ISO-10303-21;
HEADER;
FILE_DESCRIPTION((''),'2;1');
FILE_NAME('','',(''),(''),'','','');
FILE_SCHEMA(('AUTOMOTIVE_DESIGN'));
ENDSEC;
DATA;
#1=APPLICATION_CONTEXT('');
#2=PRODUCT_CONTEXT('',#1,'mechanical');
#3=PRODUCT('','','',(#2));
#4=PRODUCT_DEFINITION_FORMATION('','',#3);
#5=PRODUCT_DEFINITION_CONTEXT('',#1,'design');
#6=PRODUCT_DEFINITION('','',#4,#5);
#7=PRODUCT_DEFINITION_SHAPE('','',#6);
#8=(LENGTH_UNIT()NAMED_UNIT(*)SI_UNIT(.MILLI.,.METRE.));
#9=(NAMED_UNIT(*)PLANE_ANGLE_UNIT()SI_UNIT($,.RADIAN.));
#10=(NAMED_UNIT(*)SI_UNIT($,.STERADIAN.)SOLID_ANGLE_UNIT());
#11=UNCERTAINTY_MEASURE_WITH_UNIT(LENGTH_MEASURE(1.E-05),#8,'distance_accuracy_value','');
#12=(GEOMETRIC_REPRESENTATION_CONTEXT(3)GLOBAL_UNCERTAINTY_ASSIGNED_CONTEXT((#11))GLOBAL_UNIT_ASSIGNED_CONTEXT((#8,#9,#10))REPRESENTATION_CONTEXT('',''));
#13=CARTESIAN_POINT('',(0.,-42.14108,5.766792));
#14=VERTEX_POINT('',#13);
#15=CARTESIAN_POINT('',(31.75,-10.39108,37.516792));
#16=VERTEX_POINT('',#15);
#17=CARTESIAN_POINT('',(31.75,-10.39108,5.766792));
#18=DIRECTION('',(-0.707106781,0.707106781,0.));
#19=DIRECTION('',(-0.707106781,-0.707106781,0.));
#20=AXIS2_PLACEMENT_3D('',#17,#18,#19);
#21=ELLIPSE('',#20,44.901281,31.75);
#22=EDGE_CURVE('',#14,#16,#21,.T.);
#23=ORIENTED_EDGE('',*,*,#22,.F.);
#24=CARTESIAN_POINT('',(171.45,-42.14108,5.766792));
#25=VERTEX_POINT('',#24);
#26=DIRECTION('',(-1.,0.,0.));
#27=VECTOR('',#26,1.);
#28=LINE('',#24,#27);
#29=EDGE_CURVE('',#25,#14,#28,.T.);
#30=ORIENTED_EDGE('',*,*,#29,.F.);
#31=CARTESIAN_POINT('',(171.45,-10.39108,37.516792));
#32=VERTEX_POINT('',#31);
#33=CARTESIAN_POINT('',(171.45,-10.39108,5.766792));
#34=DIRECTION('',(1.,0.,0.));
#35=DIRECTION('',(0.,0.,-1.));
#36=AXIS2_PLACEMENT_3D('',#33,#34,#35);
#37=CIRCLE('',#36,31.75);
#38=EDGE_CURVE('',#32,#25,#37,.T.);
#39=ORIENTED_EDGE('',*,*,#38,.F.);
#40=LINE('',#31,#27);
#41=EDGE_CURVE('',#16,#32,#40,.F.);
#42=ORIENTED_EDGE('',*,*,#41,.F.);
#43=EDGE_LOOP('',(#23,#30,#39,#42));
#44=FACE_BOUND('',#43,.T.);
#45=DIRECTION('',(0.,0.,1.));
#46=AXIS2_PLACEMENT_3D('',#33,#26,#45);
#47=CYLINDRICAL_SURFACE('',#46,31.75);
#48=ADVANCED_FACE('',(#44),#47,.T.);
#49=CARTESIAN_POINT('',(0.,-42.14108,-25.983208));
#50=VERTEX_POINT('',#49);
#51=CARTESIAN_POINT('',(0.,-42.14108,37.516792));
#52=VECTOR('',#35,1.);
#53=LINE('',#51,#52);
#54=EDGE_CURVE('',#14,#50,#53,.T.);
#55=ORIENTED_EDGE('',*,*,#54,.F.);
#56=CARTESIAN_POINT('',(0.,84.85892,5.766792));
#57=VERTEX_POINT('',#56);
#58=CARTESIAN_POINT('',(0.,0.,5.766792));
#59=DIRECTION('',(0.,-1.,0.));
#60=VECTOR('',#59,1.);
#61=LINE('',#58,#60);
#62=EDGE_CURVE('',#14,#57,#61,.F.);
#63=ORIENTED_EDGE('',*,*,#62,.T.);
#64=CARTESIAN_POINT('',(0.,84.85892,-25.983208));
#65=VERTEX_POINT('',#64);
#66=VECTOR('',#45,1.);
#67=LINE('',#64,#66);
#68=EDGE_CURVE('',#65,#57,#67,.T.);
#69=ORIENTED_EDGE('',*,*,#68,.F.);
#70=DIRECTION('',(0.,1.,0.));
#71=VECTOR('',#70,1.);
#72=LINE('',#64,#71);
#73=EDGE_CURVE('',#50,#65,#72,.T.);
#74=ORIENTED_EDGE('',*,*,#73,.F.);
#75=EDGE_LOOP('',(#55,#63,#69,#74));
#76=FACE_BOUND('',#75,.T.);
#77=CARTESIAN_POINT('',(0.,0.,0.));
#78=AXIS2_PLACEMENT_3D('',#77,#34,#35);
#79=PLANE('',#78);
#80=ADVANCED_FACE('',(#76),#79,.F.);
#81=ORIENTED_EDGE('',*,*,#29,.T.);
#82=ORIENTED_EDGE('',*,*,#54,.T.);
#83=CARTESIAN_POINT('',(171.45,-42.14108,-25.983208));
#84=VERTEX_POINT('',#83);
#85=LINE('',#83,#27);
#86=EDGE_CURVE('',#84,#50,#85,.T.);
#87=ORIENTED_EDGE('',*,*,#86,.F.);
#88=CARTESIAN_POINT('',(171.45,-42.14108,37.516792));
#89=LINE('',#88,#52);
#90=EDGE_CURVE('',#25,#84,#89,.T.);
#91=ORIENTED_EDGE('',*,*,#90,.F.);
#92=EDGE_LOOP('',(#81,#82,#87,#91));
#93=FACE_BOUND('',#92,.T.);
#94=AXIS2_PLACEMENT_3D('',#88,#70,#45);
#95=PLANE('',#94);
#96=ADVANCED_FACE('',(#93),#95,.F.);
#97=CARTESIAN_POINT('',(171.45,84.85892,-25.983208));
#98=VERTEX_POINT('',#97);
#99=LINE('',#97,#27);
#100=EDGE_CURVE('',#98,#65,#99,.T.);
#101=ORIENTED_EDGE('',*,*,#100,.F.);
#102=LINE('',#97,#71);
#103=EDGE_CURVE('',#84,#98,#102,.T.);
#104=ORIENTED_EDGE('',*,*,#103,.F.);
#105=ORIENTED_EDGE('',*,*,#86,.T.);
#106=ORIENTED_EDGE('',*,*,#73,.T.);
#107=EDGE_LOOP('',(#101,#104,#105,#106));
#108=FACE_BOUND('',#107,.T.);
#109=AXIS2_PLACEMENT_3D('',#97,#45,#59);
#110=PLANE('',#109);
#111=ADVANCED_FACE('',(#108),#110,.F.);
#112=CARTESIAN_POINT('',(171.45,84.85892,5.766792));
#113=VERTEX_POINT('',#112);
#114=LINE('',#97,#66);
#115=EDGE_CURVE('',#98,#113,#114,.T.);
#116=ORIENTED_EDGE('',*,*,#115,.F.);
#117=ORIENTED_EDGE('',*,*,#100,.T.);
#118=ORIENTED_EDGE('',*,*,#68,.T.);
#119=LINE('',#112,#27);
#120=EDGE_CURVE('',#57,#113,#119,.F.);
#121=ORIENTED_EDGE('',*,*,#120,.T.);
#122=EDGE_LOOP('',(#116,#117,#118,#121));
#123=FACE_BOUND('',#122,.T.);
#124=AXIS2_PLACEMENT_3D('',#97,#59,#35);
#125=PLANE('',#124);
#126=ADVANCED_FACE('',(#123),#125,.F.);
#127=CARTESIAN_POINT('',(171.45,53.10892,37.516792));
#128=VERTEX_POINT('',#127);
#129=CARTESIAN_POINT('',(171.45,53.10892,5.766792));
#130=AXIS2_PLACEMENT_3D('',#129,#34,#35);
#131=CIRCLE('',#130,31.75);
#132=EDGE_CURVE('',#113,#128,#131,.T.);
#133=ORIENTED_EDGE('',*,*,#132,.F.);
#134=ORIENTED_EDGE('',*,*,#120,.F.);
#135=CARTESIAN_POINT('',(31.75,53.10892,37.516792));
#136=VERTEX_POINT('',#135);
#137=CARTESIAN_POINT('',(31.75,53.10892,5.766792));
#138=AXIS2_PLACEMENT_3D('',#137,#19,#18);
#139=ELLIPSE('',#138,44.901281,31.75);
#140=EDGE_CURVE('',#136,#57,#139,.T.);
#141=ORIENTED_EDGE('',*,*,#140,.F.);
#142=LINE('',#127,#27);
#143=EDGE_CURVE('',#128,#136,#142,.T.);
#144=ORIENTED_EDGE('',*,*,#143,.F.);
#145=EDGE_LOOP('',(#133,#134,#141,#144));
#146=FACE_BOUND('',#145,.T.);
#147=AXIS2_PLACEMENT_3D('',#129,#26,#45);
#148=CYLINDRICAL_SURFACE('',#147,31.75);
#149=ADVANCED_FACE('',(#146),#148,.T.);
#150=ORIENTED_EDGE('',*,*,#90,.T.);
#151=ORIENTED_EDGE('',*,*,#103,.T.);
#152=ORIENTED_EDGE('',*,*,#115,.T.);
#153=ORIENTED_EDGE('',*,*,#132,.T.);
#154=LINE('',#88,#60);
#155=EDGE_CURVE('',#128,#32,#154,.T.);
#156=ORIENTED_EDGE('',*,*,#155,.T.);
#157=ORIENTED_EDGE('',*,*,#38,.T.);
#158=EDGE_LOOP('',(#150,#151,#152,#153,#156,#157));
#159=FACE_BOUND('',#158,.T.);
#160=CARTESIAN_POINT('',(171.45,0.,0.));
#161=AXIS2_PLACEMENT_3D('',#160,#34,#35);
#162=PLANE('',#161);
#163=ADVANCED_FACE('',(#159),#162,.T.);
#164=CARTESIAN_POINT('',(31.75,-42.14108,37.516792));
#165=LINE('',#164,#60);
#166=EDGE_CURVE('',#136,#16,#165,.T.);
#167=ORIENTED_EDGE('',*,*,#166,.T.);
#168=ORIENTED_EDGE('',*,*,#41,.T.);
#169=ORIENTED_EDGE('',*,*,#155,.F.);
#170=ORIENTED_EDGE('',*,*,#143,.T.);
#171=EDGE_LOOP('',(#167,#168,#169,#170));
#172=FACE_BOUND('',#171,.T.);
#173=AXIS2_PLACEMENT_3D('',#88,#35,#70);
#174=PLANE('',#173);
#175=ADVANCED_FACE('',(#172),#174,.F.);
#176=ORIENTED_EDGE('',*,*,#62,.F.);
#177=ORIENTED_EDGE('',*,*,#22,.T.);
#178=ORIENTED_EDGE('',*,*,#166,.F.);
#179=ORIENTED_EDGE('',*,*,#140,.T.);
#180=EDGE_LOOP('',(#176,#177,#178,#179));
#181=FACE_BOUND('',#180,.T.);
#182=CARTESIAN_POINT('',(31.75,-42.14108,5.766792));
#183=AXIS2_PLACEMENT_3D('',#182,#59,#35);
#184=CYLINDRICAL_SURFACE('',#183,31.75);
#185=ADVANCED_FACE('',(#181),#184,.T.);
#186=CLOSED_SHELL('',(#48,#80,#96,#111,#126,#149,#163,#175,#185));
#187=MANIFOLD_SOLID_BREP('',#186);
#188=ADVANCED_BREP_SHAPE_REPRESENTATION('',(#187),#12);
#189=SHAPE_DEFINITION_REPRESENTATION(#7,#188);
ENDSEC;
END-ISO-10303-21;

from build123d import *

# Parameters (mm, degrees)
SKETCH1_W           = 63.5
SKETCH1_H           = 127
BOSS_EXTRUDE1_DEPTH = 171.45
FILLET1_R           = 31.75


with BuildPart() as part:
    # Sketch1 → Boss-Extrude1 (new body)
    with BuildSketch(Plane(origin=(0, 0, 0), x_dir=(0, 0, -1), z_dir=(1, 0, 0))):
        with Locations((-5.766791516, 21.358919545)):
            Rectangle(SKETCH1_W, SKETCH1_H)
    extrude(amount=BOSS_EXTRUDE1_DEPTH)

    # Fillet1
    fillet1_edges = [part.edges().sort_by_distance(p)[0] for p in [
        (0, 21.358919545, 37.516791516),
        (85.725, 84.858919545, 37.516791516),
        (85.725, -42.141080455, 37.516791516),
    ]]
    fillet(fillet1_edges, radius=FILLET1_R)


solid = part.part
